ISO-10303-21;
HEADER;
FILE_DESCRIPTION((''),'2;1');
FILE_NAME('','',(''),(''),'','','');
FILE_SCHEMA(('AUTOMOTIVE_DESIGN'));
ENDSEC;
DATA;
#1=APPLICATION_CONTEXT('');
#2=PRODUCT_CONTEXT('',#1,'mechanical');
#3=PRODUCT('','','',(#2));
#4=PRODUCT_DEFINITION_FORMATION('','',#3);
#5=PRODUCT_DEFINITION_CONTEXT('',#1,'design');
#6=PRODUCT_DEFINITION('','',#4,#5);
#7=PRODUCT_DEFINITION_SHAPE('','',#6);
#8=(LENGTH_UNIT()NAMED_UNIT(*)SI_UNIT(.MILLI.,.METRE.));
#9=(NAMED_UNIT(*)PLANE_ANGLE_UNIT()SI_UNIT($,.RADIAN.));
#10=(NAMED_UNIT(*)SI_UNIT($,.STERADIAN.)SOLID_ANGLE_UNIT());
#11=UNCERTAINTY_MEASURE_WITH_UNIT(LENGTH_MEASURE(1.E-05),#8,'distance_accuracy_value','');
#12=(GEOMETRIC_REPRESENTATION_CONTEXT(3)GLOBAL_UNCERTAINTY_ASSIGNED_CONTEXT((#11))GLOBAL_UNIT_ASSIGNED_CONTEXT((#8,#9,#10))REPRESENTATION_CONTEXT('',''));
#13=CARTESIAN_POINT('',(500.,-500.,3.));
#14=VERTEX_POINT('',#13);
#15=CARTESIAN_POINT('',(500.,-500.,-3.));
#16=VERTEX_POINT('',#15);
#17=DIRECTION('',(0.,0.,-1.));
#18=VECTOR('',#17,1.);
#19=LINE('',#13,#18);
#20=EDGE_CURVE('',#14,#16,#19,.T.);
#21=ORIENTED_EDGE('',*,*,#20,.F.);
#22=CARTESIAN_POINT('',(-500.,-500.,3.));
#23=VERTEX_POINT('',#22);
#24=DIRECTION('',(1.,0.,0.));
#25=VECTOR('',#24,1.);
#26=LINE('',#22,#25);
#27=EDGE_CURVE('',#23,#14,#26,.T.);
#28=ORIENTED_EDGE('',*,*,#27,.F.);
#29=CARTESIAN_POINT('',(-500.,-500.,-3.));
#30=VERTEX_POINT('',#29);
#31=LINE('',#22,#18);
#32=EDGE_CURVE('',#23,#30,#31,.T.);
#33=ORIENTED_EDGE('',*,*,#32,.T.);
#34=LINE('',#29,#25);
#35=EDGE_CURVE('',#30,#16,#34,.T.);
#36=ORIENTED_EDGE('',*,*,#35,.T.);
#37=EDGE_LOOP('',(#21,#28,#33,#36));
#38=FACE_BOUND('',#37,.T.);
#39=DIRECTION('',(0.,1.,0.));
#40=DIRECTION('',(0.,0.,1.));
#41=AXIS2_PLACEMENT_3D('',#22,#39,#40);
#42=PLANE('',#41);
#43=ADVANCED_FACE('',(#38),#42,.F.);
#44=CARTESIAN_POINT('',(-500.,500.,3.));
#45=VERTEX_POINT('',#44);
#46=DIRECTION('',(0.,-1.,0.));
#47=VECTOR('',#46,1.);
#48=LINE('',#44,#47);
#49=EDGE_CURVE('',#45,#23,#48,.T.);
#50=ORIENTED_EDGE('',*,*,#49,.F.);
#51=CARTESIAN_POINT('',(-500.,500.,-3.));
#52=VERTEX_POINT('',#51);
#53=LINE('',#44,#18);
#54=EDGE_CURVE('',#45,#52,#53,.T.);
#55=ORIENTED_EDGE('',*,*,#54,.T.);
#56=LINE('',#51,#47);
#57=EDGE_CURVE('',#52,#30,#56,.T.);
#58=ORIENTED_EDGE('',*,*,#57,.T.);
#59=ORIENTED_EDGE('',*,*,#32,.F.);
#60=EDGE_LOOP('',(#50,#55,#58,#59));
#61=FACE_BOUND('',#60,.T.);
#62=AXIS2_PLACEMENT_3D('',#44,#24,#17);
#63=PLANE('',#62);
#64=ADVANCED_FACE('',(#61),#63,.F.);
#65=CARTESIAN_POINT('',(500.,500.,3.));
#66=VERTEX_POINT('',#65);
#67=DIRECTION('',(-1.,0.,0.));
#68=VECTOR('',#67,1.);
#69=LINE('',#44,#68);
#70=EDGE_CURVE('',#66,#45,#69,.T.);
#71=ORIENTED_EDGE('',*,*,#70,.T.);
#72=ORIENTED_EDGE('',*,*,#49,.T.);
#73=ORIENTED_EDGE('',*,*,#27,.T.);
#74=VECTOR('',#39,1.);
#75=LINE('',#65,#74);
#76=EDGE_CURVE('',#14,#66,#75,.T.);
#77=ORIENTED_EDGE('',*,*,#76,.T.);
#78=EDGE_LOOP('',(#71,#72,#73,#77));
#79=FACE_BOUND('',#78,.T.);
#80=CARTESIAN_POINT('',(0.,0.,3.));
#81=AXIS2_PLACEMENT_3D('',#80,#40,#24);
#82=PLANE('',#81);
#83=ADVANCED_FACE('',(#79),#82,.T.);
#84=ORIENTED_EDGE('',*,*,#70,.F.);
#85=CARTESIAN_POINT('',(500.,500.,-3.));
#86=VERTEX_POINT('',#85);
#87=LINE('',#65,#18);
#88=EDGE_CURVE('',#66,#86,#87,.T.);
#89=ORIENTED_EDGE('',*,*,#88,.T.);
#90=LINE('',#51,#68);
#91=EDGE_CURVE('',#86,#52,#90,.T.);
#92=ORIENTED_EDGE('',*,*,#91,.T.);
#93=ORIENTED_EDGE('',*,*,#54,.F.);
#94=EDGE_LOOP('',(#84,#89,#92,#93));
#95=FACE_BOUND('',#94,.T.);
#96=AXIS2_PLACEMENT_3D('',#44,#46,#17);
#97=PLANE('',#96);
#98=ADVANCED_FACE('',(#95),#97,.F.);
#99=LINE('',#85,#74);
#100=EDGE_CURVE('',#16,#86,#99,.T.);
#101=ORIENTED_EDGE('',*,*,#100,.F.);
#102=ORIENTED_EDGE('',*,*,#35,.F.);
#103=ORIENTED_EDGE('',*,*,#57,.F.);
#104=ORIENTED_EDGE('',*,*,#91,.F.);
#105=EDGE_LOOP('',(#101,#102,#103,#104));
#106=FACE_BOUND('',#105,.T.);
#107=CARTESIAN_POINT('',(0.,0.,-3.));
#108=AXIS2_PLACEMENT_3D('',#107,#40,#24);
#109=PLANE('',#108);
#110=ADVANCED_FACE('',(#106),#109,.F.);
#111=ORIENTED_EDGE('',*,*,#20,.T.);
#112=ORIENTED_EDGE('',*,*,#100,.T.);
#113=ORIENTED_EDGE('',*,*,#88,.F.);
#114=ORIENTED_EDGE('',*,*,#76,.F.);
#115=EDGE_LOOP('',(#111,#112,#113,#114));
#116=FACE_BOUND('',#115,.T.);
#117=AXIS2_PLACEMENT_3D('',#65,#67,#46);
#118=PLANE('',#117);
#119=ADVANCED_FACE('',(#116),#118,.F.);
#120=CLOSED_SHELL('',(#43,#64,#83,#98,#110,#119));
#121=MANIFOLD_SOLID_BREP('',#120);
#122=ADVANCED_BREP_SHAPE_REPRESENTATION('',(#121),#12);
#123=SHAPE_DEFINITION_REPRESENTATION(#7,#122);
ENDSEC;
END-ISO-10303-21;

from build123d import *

# Parameters (mm, degrees)
ESBO_O1_W                = 1000
ESBO_O1_H                = 1000
RESSALTO_EXTRUS_O1_DEPTH = 3


with BuildPart() as part:
    # Esboço1 → Ressalto-extrusão1 (new body, symmetric)
    with BuildSketch(Plane.XY):
        Rectangle(ESBO_O1_W, ESBO_O1_H)
    extrude(amount=RESSALTO_EXTRUS_O1_DEPTH, both=True)


solid = part.part
